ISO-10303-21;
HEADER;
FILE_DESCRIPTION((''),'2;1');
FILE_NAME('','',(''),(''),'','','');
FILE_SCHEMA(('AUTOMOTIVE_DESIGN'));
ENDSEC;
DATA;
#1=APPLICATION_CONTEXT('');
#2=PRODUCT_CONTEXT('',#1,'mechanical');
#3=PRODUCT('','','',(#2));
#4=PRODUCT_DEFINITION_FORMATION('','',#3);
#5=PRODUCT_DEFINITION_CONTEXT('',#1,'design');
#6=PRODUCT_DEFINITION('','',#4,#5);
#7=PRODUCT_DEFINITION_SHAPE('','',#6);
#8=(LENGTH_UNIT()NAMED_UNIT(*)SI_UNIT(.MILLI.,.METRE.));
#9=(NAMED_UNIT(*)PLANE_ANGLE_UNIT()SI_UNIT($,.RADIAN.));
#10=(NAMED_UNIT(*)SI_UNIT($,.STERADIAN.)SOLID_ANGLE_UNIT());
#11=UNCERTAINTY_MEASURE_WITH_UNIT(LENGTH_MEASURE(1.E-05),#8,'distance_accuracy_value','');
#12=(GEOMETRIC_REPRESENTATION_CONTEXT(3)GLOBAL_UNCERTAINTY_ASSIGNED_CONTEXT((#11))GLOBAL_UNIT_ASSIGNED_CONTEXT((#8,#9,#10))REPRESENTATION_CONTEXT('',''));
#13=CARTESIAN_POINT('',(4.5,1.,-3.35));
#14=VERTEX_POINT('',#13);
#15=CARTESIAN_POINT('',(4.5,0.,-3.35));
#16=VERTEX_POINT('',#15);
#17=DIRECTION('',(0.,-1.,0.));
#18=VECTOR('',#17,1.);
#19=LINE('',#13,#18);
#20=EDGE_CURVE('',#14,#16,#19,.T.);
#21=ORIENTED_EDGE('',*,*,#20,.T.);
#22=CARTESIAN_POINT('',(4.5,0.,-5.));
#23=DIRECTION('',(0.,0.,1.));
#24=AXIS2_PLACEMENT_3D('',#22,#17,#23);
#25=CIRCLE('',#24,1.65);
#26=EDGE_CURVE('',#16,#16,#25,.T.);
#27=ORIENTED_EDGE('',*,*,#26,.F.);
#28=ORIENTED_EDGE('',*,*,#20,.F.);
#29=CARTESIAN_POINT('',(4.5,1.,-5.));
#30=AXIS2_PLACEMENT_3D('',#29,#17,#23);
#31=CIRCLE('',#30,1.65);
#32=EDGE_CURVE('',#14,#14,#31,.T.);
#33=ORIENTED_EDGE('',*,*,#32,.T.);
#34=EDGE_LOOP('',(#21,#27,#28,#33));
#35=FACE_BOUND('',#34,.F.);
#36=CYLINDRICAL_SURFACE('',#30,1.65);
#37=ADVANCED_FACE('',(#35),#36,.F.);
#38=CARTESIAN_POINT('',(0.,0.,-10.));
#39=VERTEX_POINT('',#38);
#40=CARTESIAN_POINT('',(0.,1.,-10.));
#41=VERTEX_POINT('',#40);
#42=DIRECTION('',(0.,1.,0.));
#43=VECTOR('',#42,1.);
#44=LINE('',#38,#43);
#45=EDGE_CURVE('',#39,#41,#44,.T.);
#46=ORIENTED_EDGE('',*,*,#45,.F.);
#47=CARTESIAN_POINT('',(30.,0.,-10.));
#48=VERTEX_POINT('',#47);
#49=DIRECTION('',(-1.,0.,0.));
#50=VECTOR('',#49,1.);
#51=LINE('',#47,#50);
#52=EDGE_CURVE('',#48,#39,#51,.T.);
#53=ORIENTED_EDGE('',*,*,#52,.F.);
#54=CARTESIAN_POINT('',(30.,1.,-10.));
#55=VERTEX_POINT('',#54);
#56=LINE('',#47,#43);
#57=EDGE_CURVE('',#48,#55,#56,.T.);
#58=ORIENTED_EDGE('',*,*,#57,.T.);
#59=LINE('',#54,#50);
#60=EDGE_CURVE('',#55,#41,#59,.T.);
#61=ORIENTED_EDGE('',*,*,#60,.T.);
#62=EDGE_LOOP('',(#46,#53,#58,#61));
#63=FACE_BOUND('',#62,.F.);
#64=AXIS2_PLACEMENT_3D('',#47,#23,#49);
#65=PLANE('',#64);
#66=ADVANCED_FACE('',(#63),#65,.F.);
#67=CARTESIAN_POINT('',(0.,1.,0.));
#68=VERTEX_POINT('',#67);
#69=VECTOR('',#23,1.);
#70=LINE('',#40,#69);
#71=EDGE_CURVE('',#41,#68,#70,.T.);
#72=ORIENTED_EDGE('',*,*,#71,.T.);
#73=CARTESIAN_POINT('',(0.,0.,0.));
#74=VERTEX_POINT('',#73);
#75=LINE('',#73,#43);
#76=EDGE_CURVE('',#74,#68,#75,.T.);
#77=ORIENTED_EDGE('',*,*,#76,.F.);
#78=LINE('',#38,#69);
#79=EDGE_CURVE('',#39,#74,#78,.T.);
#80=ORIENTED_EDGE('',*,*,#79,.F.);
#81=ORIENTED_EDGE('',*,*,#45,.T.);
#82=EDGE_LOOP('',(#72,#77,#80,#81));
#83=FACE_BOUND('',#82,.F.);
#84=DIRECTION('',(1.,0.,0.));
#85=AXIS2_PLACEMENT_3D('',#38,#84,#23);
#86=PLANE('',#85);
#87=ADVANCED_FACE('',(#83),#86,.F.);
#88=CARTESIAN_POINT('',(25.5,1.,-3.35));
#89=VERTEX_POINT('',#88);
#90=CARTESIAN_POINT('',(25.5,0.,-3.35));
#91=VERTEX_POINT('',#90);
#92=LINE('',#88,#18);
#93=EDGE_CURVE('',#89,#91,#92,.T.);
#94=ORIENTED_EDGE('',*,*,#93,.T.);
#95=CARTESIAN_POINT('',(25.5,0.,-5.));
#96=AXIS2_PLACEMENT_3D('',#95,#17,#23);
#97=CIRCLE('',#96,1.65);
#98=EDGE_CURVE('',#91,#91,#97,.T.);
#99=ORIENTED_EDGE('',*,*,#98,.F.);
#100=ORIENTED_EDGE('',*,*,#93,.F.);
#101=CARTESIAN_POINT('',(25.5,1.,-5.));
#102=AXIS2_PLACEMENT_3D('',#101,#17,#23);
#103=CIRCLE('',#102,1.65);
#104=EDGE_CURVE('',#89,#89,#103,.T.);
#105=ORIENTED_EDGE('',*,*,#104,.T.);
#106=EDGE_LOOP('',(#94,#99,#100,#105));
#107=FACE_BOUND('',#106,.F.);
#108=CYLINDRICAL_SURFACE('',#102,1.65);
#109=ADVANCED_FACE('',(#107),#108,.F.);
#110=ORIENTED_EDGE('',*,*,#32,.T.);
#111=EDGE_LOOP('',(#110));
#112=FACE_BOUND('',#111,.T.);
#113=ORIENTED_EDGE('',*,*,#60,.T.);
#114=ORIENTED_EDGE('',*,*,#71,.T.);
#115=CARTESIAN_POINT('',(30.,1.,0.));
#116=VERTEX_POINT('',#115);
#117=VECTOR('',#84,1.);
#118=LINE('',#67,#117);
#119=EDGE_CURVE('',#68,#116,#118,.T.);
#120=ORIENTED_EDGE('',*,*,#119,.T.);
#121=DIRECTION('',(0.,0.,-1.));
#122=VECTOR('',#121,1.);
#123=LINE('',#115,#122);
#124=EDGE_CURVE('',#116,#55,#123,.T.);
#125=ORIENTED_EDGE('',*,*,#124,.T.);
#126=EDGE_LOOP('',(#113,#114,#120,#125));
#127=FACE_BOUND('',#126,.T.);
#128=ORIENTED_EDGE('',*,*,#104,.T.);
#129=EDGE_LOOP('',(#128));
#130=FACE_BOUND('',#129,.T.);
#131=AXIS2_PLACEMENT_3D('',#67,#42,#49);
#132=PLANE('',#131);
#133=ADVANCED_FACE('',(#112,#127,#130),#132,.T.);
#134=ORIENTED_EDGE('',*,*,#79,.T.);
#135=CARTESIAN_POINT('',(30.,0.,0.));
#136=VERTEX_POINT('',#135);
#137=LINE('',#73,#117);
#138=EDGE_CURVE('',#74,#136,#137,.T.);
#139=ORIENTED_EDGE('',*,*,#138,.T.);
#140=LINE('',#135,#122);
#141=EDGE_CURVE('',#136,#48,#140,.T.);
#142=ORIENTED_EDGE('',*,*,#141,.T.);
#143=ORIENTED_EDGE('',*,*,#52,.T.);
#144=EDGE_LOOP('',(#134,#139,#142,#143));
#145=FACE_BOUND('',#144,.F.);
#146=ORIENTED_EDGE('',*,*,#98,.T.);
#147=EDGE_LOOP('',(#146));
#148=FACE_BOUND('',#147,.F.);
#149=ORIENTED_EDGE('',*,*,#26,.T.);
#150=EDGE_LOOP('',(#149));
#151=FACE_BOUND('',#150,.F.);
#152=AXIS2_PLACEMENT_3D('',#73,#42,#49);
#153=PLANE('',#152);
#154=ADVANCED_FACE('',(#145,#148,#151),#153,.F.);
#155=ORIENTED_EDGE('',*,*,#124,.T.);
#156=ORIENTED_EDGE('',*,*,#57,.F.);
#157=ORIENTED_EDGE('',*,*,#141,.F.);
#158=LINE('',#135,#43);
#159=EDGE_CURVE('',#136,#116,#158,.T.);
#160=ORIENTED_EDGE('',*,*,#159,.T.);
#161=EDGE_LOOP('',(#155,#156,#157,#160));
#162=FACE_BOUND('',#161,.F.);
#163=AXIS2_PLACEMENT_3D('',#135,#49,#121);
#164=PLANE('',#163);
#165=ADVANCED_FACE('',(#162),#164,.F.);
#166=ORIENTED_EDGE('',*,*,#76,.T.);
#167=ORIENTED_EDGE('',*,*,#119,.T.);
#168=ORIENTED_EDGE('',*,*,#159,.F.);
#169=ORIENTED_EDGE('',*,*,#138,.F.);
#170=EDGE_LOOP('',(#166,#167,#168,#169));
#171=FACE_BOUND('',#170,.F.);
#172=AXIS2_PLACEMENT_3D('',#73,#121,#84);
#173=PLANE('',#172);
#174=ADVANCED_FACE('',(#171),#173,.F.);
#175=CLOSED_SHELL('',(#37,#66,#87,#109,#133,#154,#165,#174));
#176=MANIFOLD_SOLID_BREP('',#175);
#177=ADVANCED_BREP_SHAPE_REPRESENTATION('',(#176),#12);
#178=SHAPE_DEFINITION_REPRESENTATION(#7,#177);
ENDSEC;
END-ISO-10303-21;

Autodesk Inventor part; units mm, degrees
ref_plane "YZ Plane" through (0, 0, 0) normal (1, 0, 0) x (0, 1, 0)
ref_plane "XZ Plane" through (0, 0, 0) normal (0, 1, 0) x (-1, 0, 0)
ref_plane "XY Plane" through (0, 0, 0) normal (0, 0, 1) x (1, 0, 0)
sketch "スケッチ1" plane through (0, 0, 0) normal (0, 1, 0) x (-1, 0, 0)
  line L0 (0, 0) -> (-30, 0)
  line L1 (-30, 0) -> (-30, -10)
  line L2 (-30, -10) -> (0, -10)
  line L3 (0, -10) -> (0, 0)
  dimension "d0" = 30
  dimension "d1" = 10
extrude "押し出し1" add sketch "スケッチ1" along normal blind 1
sketch "スケッチ2" plane through (0, 1, 0) normal (0, 1, 0) x (1, 0, 0)
  line L0 (0, 10) -> (0, 0) construction
  line L1 (0, 5) -> (30, 5) construction
  line L2 (30, 0) -> (30, 10) construction
  point P0 (4.5, 5)
  point P1 (25.5, 5)
  dimension "d4" = 21
  dimension "d5" = 4.5
hole "穴1" at (4.5, 1, -5) at (25.5, 1, -5) direction (0, -1, 0) diameter 3.3 depth 2 tip angle 118
properties part number "elbow_encorder_spacer"
